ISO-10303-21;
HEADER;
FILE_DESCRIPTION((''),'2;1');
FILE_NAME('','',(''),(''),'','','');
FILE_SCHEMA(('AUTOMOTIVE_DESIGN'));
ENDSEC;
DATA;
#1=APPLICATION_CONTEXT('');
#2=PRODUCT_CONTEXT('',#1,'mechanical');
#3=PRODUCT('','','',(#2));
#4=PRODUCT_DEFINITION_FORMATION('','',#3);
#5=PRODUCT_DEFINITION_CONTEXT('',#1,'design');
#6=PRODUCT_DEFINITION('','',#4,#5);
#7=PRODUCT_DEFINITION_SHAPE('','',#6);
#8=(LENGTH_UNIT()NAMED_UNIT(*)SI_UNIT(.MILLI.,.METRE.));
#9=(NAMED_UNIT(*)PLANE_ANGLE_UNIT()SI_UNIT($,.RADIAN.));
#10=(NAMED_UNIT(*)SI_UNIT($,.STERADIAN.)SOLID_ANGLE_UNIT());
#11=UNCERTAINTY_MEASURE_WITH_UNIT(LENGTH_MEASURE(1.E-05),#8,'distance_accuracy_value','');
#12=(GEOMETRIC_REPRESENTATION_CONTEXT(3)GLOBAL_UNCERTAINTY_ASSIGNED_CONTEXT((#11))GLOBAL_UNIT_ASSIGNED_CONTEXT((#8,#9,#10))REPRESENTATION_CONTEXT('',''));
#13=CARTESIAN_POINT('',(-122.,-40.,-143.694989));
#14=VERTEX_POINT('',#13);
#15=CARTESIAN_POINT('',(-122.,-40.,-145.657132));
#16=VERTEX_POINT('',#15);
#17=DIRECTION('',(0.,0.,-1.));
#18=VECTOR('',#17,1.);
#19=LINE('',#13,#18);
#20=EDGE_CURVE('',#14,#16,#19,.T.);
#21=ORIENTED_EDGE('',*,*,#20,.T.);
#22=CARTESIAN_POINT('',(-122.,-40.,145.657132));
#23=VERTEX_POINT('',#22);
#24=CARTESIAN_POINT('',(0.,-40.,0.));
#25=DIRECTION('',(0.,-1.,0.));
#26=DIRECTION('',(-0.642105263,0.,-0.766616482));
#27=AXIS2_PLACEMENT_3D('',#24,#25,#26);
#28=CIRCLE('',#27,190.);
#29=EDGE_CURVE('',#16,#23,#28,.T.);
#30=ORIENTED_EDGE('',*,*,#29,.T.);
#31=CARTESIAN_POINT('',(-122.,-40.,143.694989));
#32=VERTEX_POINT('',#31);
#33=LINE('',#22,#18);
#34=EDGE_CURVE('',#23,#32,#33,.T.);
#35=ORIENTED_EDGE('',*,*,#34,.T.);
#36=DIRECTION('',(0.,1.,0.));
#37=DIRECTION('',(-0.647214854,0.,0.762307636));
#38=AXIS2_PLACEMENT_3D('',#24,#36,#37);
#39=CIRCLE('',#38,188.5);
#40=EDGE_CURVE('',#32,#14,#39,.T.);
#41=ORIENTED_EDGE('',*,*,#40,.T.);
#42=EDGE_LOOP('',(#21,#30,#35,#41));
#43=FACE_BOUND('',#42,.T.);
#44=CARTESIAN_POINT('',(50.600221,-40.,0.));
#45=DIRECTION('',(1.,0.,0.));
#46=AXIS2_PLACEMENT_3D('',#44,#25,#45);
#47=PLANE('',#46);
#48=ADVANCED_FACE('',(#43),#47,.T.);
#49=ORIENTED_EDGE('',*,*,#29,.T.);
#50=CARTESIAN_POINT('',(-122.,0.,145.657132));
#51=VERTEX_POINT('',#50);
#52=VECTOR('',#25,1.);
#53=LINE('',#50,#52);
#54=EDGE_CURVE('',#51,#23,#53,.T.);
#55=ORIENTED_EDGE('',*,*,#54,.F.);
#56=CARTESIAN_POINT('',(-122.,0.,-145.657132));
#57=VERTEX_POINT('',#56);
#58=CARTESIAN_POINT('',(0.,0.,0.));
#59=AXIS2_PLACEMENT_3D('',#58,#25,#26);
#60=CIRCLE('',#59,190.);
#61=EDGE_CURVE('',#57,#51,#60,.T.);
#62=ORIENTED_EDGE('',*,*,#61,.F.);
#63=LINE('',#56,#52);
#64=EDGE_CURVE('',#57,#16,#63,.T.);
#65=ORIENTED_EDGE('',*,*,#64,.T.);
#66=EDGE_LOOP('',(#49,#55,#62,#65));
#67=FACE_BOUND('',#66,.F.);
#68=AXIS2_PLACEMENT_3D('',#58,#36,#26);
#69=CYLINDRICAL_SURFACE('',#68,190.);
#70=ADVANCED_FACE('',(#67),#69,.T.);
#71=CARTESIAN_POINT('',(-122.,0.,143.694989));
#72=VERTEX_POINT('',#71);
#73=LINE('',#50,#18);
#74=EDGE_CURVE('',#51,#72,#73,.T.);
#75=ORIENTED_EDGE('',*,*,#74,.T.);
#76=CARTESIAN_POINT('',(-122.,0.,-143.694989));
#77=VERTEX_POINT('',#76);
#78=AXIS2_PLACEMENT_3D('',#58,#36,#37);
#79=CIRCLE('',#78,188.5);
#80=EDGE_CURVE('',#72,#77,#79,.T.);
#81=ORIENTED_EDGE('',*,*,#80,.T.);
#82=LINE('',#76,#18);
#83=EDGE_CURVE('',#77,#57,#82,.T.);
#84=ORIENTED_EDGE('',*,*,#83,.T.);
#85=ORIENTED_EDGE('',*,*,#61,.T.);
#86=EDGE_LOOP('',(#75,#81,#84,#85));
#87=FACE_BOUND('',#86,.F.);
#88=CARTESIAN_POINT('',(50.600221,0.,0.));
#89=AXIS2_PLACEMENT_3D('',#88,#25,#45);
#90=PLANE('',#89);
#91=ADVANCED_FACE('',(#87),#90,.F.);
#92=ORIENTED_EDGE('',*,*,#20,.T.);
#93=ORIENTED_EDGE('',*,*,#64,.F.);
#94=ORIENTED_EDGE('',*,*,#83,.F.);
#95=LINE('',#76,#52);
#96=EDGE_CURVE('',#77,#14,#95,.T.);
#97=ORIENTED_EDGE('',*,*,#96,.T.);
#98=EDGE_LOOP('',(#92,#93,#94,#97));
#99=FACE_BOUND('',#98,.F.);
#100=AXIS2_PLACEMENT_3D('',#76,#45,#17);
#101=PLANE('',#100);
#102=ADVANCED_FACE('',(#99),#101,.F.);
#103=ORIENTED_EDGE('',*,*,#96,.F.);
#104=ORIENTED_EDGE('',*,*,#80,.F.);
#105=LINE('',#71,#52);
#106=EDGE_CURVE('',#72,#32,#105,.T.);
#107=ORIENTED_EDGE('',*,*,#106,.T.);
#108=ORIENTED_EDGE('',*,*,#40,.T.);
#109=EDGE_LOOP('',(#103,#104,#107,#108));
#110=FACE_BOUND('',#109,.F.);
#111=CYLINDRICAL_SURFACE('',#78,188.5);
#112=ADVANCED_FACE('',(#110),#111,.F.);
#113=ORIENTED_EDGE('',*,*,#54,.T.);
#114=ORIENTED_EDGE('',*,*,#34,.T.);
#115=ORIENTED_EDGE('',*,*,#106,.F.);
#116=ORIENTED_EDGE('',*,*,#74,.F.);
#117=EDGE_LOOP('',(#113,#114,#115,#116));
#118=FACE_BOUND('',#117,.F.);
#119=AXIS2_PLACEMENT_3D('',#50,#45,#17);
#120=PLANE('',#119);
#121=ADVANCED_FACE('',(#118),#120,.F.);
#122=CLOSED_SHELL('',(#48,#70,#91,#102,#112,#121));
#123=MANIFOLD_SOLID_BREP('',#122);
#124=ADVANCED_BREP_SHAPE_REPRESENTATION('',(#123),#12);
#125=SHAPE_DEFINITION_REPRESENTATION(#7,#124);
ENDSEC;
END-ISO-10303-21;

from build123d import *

# Parameters (mm, degrees)
F1_DEPTH = 40


with BuildPart() as f1:
    # F0 (on Front) → F1 (new body)
    with BuildSketch(Plane.XZ):
        with BuildLine():
            ThreePointArc((-122, -145.6571316483), (80.3741251896, -172.1627137333), (190, 0))
            ThreePointArc((190, 0), (80.3741251896, 172.1627137333), (-122, 145.6571316483))
            Line((-122, 145.6571316483), (-122, 143.6949894742))
            ThreePointArc((-122, 143.6949894742), (79.1683333158, 171.0690650001), (188.5, 0))
            ThreePointArc((188.5, 0), (79.1683333158, -171.0690650001), (-122, -143.6949894742))
            Line((-122, -143.6949894742), (-122, -145.6571316483))
        make_face()
    extrude(amount=F1_DEPTH)


solid = f1.part
